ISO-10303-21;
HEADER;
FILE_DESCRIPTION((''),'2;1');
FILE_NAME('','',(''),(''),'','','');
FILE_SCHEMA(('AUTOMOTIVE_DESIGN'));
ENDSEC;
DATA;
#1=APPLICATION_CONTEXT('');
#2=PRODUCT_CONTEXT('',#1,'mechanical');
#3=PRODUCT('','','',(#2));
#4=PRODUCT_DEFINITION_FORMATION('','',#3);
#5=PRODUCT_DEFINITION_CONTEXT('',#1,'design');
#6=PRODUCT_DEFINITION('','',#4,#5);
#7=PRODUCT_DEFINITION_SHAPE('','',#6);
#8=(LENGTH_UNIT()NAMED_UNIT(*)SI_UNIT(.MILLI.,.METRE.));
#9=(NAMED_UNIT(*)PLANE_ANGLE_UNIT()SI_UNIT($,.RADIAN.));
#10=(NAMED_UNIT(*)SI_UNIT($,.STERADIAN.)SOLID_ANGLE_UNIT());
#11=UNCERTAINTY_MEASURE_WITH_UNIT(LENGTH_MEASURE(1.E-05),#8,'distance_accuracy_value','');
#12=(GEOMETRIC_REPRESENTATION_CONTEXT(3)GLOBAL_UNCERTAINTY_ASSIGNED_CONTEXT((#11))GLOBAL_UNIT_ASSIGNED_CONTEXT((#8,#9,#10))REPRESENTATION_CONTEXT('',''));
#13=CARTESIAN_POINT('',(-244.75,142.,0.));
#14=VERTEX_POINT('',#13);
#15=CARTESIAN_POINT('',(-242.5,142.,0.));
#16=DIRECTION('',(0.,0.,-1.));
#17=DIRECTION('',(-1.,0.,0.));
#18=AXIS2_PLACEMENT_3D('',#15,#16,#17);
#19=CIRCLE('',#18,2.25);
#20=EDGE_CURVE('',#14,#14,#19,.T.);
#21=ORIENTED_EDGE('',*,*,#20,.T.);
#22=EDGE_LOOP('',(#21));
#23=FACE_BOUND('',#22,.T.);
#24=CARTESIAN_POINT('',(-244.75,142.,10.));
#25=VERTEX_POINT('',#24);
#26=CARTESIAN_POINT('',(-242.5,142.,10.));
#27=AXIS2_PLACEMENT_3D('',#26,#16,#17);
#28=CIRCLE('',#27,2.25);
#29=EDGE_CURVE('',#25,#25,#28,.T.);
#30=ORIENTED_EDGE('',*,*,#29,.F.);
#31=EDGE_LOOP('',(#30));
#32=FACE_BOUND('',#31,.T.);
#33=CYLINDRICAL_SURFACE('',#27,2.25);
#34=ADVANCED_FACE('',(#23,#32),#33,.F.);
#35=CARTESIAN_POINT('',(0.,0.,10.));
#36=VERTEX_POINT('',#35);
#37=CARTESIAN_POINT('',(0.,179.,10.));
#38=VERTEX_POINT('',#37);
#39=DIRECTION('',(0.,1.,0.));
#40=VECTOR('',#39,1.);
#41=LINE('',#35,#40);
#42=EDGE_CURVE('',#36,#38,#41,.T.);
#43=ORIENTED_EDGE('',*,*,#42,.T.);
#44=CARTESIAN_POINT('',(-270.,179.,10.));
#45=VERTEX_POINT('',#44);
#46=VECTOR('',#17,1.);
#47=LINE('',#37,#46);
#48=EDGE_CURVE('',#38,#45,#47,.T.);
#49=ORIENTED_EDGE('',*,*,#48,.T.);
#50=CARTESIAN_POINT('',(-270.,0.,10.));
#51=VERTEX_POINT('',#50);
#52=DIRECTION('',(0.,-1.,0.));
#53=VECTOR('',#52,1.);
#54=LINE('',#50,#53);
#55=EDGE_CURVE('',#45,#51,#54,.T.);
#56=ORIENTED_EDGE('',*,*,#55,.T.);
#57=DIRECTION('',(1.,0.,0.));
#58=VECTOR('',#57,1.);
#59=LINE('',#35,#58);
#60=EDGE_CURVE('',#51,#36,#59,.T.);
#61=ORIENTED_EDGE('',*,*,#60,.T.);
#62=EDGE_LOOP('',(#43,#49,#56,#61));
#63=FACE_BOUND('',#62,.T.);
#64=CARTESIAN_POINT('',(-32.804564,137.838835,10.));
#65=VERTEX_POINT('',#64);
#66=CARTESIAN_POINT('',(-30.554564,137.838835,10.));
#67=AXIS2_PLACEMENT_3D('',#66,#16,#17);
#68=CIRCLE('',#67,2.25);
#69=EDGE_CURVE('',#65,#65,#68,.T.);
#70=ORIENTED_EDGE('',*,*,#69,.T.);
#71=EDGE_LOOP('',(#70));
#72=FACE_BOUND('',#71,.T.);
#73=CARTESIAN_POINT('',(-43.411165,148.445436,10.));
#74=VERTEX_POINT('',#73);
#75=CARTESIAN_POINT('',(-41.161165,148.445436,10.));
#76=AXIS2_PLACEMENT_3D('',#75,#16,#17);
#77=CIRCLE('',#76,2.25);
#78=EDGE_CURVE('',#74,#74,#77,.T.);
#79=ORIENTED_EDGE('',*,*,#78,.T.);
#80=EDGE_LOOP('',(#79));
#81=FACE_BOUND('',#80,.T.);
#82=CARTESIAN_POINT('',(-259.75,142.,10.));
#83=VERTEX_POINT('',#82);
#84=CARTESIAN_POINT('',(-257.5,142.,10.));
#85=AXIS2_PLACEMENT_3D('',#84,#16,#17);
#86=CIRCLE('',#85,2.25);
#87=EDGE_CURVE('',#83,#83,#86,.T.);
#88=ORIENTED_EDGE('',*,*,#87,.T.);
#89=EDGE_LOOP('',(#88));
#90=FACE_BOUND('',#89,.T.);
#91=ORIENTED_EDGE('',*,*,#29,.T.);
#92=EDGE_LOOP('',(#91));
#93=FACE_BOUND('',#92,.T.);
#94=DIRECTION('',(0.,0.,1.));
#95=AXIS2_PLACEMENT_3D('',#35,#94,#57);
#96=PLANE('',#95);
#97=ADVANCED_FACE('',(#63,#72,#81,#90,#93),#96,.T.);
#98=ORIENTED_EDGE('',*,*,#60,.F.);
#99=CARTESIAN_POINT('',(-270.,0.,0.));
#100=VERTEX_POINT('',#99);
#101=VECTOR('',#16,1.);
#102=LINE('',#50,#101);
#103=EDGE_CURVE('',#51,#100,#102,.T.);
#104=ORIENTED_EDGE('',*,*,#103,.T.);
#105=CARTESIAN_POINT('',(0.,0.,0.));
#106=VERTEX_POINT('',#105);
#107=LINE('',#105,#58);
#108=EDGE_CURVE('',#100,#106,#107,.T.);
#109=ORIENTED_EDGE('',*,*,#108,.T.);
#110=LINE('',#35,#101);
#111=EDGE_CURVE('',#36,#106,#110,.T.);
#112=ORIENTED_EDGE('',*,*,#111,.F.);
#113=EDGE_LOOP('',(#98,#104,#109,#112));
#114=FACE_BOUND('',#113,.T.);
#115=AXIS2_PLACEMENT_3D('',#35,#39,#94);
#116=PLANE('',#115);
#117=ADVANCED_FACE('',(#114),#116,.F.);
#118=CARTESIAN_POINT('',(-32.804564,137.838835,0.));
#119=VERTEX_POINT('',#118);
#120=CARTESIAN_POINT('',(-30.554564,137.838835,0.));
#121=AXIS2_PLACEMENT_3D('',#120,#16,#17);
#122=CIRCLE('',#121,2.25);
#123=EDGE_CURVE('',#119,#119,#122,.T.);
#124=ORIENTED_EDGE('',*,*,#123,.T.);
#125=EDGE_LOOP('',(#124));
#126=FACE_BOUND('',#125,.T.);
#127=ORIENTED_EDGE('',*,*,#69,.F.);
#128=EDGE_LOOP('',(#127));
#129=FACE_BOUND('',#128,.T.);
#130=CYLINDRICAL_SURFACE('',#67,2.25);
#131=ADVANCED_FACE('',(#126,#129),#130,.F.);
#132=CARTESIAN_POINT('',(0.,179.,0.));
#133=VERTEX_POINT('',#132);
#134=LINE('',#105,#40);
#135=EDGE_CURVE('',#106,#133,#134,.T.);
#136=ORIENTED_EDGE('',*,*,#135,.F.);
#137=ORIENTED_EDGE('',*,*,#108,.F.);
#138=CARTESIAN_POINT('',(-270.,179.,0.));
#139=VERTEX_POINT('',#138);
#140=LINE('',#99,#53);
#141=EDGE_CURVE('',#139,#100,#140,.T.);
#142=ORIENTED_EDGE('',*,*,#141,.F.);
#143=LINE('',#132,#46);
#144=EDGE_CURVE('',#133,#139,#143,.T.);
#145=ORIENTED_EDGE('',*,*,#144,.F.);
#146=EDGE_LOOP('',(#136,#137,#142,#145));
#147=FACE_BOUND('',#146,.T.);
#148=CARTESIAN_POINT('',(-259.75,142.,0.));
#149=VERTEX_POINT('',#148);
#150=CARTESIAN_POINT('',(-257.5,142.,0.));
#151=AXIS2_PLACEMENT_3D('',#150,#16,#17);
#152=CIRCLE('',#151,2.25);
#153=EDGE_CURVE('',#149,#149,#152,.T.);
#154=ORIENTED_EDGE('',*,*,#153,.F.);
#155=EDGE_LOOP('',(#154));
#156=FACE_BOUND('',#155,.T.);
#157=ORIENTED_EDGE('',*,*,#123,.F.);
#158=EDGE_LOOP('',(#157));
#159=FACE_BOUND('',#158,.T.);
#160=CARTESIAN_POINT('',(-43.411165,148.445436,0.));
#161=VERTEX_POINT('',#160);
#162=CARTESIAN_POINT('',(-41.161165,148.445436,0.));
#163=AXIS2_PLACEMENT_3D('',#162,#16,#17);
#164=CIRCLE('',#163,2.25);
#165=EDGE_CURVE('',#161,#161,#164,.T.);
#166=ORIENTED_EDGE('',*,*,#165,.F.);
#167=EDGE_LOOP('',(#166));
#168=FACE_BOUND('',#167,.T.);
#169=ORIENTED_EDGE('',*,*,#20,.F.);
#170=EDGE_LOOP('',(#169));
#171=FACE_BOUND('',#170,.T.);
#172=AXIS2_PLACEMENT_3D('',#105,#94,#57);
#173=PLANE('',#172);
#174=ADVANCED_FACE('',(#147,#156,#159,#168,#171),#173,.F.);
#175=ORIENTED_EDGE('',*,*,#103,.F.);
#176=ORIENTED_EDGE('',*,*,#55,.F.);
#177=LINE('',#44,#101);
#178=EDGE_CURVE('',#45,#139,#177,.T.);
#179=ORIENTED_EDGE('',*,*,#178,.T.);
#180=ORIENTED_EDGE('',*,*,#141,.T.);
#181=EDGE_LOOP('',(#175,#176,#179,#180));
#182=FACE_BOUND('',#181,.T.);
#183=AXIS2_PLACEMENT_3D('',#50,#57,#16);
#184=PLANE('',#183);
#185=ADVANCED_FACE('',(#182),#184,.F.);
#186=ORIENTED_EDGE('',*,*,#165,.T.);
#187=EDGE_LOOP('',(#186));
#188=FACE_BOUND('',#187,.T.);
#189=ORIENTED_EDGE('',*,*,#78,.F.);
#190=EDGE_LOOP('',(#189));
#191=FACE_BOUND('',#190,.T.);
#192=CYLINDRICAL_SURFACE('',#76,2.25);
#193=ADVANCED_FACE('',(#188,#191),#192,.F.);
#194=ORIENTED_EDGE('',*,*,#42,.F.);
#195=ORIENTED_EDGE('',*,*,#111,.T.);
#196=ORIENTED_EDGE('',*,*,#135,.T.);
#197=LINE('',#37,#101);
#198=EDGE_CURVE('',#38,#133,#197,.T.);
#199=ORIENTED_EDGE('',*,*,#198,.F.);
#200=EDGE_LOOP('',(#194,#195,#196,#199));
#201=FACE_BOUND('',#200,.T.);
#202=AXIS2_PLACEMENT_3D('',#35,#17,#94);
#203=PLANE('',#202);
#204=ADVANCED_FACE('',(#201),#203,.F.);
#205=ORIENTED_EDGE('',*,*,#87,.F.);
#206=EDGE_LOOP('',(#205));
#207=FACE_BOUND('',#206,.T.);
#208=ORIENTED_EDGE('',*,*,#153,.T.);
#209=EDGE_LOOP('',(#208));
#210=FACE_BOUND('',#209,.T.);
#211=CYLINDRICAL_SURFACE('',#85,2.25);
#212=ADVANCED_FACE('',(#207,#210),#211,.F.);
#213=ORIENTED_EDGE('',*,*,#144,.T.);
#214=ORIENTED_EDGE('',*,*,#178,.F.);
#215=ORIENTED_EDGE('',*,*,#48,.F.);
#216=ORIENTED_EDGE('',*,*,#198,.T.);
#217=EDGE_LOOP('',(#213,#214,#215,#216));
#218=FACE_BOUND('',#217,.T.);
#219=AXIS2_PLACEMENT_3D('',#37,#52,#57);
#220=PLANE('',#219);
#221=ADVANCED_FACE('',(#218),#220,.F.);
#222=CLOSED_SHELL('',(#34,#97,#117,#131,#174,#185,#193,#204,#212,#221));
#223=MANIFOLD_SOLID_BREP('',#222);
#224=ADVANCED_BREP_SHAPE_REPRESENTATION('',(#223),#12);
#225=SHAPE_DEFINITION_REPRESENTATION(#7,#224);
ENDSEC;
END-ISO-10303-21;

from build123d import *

# Parameters (mm, degrees)
SCHIZZO1_W                   = 270
SCHIZZO1_H                   = 179
ESTRUSIONE_ESTRUSIONE1_DEPTH = 10
SCHIZZO2_R                   = 2.25
TAGLIO_ESTRUSIONE1_DEPTH     = 10


with BuildPart() as part:
    # Schizzo1 → Estrusione-Estrusione1 (new body)
    with BuildSketch(Plane.XY):
        with Locations((-135, 89.5)):
            Rectangle(SCHIZZO1_W, SCHIZZO1_H)
    extrude(amount=ESTRUSIONE_ESTRUSIONE1_DEPTH)

    # Schizzo2 → Taglio-Estrusione1 (cut)
    with BuildSketch(Plane(origin=(0, 0, 0), x_dir=(-1, 0, 0), z_dir=(0, 0, -1))):
        with Locations((41.161165235, 148.445436483)):
            Circle(SCHIZZO2_R)
        with Locations((30.554563517, 137.838834765)):
            Circle(SCHIZZO2_R)
        with Locations((242.5, 142)):
            Circle(SCHIZZO2_R)
        with Locations((257.5, 142)):
            Circle(SCHIZZO2_R)
    extrude(amount=-TAGLIO_ESTRUSIONE1_DEPTH, mode=Mode.SUBTRACT)


solid = part.part
